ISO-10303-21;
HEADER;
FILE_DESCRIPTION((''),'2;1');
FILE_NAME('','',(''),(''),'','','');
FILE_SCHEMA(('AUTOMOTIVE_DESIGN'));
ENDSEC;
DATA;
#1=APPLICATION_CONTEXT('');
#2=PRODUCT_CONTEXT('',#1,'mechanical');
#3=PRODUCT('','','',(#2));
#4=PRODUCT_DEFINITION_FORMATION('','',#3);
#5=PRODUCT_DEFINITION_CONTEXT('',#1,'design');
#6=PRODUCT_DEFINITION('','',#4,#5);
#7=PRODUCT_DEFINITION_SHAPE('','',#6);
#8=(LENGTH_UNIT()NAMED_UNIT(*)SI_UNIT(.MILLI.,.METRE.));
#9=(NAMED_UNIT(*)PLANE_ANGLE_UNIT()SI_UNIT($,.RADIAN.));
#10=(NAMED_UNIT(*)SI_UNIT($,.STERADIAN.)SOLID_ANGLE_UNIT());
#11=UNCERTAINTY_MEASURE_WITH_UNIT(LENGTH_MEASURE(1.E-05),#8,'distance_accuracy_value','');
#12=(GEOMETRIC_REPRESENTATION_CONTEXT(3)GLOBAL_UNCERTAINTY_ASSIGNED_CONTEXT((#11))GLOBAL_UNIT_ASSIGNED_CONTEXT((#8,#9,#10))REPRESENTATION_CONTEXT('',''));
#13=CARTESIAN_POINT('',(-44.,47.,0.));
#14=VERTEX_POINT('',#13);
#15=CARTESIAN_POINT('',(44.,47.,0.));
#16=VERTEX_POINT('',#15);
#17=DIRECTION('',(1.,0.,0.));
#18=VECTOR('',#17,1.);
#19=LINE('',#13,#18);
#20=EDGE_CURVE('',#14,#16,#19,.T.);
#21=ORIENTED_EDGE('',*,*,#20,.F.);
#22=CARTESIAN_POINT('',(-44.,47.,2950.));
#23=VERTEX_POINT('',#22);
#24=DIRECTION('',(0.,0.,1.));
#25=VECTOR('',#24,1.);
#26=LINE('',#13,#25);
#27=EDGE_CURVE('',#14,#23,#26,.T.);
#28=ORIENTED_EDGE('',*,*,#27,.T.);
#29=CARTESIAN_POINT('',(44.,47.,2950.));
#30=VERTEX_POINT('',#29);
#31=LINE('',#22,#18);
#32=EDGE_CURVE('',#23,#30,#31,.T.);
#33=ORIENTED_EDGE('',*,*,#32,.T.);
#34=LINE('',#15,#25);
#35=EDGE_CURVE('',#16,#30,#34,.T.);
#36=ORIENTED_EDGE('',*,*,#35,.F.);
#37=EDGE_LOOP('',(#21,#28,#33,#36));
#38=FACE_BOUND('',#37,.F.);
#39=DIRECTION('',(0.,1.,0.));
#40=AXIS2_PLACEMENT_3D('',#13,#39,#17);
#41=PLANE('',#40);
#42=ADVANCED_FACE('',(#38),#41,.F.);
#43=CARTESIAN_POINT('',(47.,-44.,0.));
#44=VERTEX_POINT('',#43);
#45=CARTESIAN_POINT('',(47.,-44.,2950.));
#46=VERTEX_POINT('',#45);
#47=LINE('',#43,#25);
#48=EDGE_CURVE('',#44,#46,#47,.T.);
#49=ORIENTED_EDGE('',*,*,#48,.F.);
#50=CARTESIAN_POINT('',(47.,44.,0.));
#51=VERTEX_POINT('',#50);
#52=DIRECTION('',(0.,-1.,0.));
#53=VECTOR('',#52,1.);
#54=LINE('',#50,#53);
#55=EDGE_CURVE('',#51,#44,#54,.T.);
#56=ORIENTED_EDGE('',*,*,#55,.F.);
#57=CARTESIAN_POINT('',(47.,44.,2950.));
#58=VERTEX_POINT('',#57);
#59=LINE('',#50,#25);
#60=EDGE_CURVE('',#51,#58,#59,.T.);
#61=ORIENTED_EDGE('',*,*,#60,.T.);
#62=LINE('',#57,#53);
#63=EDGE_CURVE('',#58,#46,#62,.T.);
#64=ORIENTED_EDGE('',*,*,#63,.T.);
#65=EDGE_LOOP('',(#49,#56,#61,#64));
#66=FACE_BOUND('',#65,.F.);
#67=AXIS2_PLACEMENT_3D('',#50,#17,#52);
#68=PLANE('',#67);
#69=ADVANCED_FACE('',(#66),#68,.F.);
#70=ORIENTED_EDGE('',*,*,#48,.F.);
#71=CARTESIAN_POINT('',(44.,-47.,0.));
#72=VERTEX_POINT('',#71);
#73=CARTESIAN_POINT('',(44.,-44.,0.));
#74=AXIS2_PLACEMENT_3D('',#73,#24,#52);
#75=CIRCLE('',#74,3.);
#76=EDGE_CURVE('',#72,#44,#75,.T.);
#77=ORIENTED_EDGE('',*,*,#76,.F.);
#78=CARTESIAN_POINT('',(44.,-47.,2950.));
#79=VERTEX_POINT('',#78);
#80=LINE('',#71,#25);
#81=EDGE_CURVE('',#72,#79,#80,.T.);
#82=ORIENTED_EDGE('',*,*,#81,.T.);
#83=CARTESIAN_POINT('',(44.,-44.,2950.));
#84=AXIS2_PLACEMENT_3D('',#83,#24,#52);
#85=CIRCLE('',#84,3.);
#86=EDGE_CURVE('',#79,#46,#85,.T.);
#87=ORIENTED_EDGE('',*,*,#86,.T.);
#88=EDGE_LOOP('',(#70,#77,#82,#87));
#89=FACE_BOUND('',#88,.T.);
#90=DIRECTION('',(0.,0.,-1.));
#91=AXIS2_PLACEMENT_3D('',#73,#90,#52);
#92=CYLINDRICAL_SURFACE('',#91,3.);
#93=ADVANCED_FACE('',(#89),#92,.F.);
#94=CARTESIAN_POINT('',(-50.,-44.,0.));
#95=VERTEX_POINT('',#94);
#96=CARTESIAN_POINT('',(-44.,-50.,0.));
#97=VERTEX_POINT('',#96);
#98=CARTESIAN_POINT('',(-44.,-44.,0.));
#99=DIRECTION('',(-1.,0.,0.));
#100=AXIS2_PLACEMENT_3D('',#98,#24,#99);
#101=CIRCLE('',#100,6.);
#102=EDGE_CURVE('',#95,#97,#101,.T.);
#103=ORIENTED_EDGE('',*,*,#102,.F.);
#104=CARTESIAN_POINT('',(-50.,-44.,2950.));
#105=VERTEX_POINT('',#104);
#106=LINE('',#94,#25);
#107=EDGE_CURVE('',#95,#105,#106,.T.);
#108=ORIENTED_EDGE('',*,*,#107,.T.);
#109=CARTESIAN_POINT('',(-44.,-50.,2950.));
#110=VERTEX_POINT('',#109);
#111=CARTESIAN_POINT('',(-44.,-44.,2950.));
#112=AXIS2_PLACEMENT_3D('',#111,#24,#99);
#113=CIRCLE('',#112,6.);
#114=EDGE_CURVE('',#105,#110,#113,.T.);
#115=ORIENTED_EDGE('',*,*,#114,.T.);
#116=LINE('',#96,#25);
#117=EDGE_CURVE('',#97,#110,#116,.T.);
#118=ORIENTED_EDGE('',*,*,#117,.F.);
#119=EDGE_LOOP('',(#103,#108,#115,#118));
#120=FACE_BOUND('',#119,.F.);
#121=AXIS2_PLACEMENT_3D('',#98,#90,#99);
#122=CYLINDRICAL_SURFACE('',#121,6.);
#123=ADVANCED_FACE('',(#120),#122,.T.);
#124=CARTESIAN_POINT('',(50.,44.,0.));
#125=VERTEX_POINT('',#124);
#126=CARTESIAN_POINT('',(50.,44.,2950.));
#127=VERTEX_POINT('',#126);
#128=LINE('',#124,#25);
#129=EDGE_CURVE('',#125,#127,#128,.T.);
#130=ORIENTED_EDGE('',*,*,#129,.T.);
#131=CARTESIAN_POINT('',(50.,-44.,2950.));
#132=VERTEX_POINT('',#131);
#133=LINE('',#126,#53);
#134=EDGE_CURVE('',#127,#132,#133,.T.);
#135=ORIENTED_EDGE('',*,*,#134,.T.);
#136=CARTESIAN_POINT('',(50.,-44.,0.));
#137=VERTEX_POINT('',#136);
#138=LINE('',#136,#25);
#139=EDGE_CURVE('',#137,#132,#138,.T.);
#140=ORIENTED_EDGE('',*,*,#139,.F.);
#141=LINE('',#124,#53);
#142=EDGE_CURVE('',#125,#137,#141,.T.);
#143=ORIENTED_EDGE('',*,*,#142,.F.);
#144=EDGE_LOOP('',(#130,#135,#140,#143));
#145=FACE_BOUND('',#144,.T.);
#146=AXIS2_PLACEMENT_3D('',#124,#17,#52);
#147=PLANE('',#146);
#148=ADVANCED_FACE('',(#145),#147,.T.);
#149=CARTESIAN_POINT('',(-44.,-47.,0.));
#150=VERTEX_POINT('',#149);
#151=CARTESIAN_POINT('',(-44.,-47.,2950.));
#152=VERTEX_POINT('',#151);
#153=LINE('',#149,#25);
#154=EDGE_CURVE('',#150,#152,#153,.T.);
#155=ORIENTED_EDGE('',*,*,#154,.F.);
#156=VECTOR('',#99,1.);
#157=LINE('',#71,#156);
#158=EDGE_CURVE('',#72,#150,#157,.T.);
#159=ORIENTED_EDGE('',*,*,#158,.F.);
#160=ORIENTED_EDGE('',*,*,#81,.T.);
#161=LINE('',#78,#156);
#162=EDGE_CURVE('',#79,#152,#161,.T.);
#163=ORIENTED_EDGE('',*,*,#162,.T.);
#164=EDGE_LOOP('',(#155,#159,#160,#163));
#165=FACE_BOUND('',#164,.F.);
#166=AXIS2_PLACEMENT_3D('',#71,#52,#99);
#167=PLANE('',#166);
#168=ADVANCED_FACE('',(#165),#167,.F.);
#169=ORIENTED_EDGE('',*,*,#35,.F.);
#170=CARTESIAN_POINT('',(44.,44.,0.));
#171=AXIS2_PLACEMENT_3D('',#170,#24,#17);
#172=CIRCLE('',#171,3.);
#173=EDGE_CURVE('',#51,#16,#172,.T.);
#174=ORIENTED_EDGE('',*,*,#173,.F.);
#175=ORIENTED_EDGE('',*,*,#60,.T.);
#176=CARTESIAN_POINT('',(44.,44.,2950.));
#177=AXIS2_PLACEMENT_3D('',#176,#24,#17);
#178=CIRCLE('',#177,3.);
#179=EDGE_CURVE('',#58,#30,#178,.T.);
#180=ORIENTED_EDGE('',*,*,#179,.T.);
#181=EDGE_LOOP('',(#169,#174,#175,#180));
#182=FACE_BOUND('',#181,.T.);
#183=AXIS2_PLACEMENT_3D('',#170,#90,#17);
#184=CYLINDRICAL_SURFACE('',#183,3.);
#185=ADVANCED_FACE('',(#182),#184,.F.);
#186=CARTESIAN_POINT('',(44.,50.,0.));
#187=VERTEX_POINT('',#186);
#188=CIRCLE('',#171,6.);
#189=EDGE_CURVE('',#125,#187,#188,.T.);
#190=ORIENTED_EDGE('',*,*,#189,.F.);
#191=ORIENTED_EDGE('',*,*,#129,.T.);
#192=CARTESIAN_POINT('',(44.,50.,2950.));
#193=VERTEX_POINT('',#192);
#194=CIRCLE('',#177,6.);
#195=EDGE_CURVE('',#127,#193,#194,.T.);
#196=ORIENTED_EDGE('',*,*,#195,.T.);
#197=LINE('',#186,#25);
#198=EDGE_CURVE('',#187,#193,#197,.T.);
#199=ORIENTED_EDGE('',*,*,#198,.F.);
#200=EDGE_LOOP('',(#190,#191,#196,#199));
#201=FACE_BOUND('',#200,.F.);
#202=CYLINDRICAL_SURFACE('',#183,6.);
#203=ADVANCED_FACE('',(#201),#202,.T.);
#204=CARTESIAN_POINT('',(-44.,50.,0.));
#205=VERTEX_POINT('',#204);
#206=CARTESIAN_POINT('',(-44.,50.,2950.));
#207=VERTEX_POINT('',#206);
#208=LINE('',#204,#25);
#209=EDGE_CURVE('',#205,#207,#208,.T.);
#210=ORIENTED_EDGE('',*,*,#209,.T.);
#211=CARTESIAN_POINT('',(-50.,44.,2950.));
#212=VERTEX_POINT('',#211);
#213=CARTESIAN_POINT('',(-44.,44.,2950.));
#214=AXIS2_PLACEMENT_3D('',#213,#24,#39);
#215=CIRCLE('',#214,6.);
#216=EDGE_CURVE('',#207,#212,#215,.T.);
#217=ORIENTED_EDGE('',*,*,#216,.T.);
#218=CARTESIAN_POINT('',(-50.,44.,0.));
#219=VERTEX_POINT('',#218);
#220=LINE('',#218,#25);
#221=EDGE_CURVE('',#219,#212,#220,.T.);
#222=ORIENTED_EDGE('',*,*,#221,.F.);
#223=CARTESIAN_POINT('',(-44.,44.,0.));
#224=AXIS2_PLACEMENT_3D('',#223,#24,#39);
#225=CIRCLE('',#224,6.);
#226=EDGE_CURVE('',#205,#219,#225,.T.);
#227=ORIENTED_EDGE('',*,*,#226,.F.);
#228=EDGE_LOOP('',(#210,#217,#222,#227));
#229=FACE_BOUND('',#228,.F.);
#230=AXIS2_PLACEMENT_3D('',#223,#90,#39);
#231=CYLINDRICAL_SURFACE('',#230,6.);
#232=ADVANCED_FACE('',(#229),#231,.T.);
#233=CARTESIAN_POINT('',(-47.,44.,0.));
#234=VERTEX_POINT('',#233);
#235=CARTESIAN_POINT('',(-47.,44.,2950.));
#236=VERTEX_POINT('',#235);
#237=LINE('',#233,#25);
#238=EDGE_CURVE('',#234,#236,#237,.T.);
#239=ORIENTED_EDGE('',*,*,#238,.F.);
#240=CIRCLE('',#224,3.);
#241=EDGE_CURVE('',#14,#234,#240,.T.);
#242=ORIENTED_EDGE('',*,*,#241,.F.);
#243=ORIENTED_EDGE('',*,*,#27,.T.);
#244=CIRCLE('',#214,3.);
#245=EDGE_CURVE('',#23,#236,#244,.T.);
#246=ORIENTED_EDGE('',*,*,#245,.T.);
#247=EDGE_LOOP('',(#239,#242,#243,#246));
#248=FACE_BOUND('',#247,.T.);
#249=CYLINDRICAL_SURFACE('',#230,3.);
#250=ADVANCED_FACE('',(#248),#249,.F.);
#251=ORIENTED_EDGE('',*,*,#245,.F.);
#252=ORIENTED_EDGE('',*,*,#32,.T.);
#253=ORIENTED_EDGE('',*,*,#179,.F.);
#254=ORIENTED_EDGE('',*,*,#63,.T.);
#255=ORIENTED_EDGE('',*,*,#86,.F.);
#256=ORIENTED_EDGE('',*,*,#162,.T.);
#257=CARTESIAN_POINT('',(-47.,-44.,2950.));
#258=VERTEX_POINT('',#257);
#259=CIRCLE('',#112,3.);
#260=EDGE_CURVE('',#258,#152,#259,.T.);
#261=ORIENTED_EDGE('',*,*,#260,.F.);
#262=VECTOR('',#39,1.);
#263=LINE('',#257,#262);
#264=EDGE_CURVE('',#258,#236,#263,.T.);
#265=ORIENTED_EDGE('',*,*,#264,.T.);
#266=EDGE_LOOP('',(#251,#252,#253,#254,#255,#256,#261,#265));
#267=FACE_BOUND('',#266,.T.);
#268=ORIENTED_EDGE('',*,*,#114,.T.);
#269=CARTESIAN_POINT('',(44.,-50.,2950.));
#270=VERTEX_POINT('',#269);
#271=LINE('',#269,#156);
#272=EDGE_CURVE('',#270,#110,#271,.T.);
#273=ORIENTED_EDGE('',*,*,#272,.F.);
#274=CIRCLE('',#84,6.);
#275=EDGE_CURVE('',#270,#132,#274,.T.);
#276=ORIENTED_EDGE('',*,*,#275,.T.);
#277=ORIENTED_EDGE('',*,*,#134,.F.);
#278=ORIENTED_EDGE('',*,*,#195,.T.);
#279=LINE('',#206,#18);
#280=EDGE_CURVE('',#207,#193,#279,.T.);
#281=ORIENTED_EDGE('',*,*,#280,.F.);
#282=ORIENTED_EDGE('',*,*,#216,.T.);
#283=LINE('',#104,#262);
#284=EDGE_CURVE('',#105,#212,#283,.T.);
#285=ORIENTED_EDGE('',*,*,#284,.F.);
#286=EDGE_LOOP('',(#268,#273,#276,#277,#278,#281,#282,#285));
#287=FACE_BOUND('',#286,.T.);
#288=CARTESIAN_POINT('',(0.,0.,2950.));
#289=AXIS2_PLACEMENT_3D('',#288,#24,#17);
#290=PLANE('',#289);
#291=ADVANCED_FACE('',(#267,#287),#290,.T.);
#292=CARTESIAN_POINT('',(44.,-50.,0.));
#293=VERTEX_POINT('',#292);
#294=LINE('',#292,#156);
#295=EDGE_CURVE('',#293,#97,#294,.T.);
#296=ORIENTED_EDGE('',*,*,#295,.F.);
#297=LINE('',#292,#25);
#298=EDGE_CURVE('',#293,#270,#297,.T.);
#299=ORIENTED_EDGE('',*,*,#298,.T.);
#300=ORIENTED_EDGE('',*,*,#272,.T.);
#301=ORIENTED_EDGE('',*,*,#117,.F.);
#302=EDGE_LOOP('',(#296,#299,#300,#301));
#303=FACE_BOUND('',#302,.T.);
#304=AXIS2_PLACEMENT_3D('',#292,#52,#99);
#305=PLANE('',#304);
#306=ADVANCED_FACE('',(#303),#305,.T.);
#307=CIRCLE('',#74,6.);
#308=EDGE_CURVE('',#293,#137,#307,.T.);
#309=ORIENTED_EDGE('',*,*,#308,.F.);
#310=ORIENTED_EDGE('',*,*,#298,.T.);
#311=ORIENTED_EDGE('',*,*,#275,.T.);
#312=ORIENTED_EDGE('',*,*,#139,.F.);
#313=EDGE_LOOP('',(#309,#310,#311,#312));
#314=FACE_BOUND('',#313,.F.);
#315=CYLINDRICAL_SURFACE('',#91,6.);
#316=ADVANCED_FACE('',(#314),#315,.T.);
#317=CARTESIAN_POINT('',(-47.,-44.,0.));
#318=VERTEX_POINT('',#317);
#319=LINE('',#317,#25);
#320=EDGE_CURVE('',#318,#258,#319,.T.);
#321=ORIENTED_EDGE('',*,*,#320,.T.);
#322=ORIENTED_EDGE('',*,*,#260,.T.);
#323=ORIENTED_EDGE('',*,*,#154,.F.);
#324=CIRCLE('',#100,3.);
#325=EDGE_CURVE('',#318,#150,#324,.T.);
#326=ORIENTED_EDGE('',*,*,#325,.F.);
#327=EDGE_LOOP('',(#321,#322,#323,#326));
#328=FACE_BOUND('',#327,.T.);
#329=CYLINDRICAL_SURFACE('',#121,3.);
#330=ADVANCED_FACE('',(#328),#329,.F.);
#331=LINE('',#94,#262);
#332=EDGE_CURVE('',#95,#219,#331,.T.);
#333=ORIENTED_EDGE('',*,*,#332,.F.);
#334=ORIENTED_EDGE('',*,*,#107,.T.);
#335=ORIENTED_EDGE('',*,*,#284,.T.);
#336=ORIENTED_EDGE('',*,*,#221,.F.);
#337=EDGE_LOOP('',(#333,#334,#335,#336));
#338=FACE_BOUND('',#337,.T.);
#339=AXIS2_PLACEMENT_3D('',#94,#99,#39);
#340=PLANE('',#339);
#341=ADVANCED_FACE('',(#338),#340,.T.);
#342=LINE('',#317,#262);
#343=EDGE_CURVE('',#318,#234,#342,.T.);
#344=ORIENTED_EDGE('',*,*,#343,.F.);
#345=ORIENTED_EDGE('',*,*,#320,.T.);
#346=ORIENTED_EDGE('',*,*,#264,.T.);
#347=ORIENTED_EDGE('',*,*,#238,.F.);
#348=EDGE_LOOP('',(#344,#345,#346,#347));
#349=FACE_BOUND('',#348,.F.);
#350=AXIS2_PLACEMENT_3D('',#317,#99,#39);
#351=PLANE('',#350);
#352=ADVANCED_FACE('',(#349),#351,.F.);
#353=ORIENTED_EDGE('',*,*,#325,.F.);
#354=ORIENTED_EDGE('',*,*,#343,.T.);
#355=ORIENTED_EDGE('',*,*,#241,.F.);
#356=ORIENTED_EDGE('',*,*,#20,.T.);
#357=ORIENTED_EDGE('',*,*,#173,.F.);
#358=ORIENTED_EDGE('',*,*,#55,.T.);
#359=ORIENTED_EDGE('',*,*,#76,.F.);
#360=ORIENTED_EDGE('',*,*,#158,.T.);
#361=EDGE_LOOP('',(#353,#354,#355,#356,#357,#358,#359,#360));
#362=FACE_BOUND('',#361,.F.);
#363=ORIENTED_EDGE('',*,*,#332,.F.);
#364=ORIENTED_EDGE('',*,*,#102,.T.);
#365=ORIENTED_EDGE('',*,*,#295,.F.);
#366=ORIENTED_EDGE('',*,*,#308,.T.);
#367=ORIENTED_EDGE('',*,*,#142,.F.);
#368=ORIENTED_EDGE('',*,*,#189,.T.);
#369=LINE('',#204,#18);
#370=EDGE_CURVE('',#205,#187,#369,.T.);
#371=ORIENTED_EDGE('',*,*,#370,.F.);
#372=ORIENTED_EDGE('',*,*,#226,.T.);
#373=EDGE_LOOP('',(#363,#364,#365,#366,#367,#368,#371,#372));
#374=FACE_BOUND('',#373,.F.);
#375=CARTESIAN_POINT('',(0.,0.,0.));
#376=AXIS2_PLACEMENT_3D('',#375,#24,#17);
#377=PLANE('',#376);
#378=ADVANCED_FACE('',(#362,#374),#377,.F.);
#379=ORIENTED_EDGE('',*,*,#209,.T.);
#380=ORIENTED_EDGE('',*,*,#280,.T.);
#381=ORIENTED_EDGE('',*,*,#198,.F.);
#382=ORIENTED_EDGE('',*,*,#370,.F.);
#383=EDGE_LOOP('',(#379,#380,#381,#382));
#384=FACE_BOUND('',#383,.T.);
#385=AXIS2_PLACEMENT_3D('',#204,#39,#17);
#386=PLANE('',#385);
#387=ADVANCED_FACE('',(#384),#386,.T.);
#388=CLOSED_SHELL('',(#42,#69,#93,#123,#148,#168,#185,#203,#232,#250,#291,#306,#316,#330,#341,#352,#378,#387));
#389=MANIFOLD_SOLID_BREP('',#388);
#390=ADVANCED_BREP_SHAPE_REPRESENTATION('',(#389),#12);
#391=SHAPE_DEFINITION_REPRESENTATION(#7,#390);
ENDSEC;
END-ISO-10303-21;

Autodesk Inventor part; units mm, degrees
ref_plane "YZ Plane" through (0, 0, 0) normal (1, 0, 0) x (0, 1, 0)
ref_plane "Start Plane" through (0, 0, 0) normal (0, 0, 1) x (1, 0, 0)
ref_plane "End Plane" through (0, 0, 2950) normal (0, 0, 1) x (1, 0, 0)
sketch "Sketch" plane through (0, 0, 0) normal (0, 0, 1) x (1, 0, 0)
  line L0 (-50, -44) -> (-50, 44)
  line L1 (-44, 50) -> (44, 50)
  line L2 (50, 44) -> (50, -44)
  line L3 (44, -50) -> (-44, -50)
  arc A0 (-50, -44) -> (-44, -50) centre (-44, -44) ccw
  arc A1 (50, 44) -> (44, 50) centre (44, 44) ccw
  arc A2 (-44, 50) -> (-50, 44) centre (-44, 44) ccw
  arc A3 (44, -50) -> (50, -44) centre (44, -44) ccw
  arc A4 (-44, 47) -> (-47, 44) centre (-44, 44) ccw
  line L4 (-44, 47) -> (44, 47)
  arc A5 (47, 44) -> (44, 47) centre (44, 44) ccw
  line L5 (47, 44) -> (47, -44)
  arc A6 (44, -47) -> (47, -44) centre (44, -44) ccw
  line L6 (44, -47) -> (-44, -47)
  arc A7 (-47, -44) -> (-44, -47) centre (-44, -44) ccw
  line L7 (-47, -44) -> (-47, 44)
  line L8 (0, 71.7397) -> (0, -71.7397) construction
  line L9 (-71.7397, 0) -> (71.7397, 0) construction
  dimension "d7" = 6
  dimension "d9" = 100
  dimension "d11" = 100
  dimension "d12" = 3
  dimension "d15" = 50
  dimension "d16" = 50
extrude "Body" add sketch "Sketch" along normal up to surface (2950 mm away) from surface at 0
sketch "Sketch3" plane through (0, 0, 0) normal (0, 0, 1) x (1, 0, 0)
  line L0 (0, 0) -> (10, 0)
ref_plane "Work Plane3" through (0, 0, 0) normal (0, -1, 0) x (1, 0, 0)
sketch "Sketch4" plane through (0, 0, 0) normal (0, -1, 0) x (1, 0, 0)
  line L0 (-2, 0) -> (12, 0) projected
  line L1 (-2, 2950) -> (12, 2950) projected
  dimension "d18" = 2950
equation "\"d7\" = G_IR"
equation "\"d9\" = G_W"
equation "\"d11\" = G_H"
equation "\"d12\" = G_T"
equation "\"d15\" = 0.5 * d9"
equation "\"d16\" = 0.5 * d11"
equation "\"d3\" = G_L"
equation "\"G_W\" = 100"
equation "\"G_H\" = 100"
equation "\"G_T\" = 3"
equation "\"G_IR\" = 6"
equation "\"G_L\" = d18"
equation "\"G_OFFSET_START\" = 0"
equation "\"G_OFFSET_END\" = 0"
properties part number "ISO 10799-2 - 100x100x3 - 2950" material "Steel, Mild"
